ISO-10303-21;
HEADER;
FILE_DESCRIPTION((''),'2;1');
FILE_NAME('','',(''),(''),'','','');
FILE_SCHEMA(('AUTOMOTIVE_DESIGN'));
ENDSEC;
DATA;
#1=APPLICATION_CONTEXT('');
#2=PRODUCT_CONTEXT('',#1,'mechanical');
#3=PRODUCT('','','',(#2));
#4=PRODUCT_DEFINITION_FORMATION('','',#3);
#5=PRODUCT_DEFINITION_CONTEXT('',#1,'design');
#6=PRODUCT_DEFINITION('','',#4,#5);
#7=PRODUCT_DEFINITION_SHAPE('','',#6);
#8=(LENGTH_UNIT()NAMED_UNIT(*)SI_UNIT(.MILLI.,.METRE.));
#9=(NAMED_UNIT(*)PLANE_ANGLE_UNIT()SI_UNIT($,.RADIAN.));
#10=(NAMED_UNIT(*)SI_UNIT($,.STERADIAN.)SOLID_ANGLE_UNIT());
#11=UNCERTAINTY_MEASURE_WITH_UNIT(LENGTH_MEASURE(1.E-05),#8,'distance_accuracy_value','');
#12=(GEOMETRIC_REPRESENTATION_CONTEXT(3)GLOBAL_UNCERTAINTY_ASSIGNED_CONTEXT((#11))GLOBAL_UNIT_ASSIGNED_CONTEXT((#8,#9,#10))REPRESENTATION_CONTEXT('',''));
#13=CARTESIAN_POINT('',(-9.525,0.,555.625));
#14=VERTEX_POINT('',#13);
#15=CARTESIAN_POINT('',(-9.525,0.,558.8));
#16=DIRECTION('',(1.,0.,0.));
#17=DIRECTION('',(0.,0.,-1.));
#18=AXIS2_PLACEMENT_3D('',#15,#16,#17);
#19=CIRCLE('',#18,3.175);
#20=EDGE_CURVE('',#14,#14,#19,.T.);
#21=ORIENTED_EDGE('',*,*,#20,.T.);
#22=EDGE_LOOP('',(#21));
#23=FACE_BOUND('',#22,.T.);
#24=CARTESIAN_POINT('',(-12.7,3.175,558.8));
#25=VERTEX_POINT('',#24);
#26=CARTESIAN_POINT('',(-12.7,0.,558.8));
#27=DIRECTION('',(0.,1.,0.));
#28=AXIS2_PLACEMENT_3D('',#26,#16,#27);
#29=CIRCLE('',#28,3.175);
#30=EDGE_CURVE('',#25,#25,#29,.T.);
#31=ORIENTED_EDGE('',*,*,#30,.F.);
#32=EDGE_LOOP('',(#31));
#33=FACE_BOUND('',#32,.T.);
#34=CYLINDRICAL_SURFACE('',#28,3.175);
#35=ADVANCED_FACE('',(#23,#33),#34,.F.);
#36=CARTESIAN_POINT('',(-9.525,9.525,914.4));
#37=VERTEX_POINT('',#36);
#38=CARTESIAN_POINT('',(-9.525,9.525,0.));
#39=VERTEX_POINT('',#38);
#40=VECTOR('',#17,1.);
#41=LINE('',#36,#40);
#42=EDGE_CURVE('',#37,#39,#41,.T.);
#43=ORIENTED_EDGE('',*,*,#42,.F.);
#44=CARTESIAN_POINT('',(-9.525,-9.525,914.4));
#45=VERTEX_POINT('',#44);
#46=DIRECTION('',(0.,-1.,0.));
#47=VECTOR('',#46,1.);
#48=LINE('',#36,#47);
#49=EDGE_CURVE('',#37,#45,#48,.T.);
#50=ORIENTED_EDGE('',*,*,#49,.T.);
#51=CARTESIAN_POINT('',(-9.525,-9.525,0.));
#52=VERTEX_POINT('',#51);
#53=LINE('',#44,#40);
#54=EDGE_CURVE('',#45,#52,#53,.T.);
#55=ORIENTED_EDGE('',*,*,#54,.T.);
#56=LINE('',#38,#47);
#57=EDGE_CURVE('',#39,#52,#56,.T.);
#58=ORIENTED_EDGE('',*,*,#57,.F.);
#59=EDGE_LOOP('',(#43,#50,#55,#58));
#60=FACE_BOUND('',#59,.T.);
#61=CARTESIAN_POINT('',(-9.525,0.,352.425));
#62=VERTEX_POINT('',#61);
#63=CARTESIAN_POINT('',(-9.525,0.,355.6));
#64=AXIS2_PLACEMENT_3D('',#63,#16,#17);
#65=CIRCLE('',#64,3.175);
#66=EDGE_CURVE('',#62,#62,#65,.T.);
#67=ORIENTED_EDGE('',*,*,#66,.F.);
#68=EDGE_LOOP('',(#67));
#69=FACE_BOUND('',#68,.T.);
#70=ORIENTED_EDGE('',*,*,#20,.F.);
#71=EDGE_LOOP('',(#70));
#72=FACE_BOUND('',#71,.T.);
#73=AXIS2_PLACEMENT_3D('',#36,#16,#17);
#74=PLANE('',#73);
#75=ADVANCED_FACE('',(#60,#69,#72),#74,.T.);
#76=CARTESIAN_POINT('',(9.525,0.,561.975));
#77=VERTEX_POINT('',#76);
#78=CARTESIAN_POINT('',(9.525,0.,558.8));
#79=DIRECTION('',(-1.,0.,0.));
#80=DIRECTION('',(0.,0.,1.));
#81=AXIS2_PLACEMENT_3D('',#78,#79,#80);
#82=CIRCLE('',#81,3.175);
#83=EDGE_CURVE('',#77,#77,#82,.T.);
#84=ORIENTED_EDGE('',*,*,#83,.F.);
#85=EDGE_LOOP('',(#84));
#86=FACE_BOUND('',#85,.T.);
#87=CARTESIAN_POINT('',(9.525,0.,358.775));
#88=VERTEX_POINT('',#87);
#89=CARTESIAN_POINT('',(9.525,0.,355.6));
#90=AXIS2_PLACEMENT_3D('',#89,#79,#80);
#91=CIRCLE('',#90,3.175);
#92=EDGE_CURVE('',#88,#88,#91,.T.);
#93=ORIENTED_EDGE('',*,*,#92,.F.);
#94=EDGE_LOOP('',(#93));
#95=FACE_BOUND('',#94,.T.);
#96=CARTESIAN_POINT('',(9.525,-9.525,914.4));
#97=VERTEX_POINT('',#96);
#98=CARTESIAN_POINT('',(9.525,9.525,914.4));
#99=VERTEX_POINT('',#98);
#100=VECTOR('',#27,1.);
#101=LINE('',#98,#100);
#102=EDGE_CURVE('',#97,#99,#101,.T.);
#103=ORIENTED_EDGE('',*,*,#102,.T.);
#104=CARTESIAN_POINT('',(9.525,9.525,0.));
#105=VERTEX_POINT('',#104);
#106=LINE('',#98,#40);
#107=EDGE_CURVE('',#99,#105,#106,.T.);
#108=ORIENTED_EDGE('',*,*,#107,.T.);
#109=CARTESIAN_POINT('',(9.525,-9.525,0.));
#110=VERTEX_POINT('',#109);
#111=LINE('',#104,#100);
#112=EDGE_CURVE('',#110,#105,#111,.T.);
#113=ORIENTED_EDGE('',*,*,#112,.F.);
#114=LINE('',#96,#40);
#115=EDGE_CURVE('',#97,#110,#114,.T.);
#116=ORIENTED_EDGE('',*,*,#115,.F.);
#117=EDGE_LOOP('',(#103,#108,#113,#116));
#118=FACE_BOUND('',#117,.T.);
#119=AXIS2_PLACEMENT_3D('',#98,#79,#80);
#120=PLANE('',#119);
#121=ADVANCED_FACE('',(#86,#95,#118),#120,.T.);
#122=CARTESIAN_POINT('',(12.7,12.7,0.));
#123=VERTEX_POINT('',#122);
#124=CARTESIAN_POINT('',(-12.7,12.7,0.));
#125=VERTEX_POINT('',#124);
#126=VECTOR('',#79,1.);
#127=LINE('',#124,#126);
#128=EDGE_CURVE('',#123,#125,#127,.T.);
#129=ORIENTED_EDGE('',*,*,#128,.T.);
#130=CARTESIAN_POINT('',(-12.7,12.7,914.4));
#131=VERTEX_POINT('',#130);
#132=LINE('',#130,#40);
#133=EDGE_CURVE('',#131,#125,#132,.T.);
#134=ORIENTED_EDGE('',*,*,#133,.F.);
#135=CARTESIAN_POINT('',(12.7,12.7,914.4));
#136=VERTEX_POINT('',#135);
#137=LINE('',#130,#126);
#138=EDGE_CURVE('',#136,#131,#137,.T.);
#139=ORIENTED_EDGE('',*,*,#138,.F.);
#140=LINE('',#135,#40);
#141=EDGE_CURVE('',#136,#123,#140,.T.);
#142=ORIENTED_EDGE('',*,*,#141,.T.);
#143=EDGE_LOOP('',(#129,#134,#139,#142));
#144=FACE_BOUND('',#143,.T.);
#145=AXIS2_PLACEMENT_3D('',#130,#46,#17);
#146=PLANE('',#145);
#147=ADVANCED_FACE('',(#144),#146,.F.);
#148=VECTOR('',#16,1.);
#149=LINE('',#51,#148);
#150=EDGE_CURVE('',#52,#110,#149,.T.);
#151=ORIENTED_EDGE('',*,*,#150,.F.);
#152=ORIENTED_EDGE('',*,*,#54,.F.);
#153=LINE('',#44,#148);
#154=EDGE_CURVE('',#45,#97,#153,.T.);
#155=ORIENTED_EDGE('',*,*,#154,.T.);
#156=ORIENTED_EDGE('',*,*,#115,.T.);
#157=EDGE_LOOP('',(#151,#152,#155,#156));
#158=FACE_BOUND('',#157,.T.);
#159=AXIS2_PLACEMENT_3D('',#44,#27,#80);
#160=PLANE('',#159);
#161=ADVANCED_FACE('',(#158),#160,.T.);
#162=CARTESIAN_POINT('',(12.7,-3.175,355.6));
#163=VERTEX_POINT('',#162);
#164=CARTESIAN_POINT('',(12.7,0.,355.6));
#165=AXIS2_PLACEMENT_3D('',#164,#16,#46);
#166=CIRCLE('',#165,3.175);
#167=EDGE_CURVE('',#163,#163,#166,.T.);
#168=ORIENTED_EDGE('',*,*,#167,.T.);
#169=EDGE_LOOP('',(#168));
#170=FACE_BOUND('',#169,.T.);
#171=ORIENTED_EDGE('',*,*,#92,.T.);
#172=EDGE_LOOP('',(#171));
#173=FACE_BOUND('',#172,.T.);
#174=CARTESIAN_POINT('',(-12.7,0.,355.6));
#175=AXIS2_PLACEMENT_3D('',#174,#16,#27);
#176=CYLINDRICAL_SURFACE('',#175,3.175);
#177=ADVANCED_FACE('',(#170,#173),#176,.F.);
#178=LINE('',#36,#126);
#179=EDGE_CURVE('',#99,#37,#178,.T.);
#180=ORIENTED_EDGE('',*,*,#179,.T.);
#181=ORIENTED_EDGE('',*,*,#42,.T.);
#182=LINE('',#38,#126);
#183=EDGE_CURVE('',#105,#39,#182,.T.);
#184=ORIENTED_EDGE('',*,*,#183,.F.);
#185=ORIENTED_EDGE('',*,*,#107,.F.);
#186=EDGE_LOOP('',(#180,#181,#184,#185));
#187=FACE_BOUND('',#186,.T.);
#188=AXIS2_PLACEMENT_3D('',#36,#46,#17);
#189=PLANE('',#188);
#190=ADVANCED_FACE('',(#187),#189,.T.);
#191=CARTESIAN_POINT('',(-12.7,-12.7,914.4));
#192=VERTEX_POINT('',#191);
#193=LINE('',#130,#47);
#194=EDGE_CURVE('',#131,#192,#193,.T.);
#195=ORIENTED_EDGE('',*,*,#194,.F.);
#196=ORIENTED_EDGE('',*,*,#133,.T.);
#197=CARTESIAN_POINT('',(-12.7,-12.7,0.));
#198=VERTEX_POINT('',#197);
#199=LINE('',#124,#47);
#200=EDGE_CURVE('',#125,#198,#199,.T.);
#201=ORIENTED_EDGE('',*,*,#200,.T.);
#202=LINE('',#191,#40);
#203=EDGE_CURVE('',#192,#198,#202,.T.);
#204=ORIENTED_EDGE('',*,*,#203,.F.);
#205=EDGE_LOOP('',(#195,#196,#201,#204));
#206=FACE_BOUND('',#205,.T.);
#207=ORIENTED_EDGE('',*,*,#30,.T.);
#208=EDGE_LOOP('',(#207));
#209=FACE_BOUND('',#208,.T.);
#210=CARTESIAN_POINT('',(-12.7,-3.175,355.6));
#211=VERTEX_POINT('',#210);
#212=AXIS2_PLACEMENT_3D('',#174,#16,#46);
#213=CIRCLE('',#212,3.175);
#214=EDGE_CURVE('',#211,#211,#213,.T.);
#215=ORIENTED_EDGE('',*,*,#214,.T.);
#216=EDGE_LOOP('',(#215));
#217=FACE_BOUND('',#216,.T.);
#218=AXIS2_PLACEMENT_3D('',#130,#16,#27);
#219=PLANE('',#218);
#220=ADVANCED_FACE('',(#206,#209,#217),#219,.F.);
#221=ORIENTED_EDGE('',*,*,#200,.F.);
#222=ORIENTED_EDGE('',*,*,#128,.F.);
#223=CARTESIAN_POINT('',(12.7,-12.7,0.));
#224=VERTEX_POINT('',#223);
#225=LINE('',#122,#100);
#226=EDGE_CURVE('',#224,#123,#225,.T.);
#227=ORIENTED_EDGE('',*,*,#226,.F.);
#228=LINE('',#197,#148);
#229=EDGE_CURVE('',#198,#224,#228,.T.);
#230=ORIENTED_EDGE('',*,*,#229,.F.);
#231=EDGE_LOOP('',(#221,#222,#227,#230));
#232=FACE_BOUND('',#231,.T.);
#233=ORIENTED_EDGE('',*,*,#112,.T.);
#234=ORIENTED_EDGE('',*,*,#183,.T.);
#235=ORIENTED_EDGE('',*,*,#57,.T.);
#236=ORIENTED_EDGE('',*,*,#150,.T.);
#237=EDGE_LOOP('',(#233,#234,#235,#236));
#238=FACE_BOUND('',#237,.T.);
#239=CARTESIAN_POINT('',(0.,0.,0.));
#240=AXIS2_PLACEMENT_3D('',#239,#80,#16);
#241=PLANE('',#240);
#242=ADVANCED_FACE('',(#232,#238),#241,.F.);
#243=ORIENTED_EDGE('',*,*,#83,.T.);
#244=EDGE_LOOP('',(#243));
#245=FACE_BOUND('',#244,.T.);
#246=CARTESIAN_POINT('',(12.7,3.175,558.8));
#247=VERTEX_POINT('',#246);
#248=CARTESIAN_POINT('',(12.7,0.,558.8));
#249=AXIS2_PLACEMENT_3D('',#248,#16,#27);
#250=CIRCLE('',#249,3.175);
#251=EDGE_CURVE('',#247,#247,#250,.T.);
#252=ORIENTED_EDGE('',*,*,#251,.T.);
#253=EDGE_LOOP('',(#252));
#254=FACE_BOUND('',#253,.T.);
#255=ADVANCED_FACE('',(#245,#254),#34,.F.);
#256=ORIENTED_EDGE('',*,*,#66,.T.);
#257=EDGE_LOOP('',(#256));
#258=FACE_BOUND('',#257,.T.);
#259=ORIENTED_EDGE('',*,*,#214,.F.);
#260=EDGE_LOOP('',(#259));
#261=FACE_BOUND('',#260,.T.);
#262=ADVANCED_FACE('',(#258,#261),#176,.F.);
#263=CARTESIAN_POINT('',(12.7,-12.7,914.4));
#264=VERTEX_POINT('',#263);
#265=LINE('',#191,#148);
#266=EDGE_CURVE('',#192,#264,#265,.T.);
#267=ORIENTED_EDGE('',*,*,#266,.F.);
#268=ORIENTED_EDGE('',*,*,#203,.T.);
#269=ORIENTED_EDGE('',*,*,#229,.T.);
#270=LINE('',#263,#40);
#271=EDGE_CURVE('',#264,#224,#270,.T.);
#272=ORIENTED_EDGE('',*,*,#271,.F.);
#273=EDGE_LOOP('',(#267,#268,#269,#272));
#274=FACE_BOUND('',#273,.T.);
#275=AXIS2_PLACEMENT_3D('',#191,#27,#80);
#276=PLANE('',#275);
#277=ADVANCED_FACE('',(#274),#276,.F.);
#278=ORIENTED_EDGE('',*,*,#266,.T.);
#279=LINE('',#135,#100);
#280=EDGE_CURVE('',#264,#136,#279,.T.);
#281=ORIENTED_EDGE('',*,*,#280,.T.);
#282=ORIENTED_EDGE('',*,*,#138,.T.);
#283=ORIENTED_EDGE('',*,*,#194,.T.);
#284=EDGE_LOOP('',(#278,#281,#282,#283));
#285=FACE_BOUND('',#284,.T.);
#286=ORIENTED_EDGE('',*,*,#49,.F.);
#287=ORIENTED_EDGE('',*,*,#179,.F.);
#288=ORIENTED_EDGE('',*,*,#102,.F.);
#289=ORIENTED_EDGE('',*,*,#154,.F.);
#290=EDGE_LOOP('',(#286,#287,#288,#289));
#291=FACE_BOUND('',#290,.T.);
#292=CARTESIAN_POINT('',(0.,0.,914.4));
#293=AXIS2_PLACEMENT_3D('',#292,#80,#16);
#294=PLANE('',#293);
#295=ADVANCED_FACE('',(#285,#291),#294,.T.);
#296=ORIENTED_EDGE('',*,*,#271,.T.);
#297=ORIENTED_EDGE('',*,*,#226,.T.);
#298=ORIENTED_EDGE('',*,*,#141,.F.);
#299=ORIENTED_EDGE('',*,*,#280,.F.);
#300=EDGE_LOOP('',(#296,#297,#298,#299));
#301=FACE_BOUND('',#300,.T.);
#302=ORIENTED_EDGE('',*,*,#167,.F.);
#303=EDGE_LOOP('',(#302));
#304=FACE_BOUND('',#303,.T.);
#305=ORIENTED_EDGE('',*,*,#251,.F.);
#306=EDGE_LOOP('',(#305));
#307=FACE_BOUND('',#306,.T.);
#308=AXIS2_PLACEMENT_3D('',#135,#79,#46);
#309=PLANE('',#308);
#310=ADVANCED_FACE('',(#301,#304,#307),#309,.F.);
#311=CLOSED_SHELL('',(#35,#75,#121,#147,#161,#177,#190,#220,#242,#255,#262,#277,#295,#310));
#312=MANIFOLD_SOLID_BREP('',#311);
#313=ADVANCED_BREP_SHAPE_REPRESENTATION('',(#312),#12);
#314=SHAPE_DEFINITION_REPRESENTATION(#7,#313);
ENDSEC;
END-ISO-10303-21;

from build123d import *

# Parameters (mm, degrees)
SKETCH1_W           = 25.4
SKETCH1_H           = 25.4
SKETCH1_W_2         = 19.05
SKETCH1_H_2         = 19.05
BOSS_EXTRUDE1_DEPTH = 914.4
SKETCH2_R           = 3.175
CUT_EXTRUDE1_DEPTH  = 26.4


with BuildPart() as part:
    # Sketch1 → Boss-Extrude1 (new body)
    with BuildSketch(Plane.XY):
        Rectangle(SKETCH1_W, SKETCH1_H)
        Rectangle(SKETCH1_W_2, SKETCH1_H_2, mode=Mode.SUBTRACT)
    extrude(amount=BOSS_EXTRUDE1_DEPTH)

    # Sketch2 → Cut-Extrude1 (cut, through all)
    with BuildSketch(Plane(origin=(12.7, 0, 0), x_dir=(0, 0, -1), z_dir=(1, 0, 0))):
        with Locations((-558.8, 0)):
            Circle(SKETCH2_R)
        with Locations((-355.6, 0)):
            Circle(SKETCH2_R)
    extrude(amount=-CUT_EXTRUDE1_DEPTH, mode=Mode.SUBTRACT)


solid = part.part
